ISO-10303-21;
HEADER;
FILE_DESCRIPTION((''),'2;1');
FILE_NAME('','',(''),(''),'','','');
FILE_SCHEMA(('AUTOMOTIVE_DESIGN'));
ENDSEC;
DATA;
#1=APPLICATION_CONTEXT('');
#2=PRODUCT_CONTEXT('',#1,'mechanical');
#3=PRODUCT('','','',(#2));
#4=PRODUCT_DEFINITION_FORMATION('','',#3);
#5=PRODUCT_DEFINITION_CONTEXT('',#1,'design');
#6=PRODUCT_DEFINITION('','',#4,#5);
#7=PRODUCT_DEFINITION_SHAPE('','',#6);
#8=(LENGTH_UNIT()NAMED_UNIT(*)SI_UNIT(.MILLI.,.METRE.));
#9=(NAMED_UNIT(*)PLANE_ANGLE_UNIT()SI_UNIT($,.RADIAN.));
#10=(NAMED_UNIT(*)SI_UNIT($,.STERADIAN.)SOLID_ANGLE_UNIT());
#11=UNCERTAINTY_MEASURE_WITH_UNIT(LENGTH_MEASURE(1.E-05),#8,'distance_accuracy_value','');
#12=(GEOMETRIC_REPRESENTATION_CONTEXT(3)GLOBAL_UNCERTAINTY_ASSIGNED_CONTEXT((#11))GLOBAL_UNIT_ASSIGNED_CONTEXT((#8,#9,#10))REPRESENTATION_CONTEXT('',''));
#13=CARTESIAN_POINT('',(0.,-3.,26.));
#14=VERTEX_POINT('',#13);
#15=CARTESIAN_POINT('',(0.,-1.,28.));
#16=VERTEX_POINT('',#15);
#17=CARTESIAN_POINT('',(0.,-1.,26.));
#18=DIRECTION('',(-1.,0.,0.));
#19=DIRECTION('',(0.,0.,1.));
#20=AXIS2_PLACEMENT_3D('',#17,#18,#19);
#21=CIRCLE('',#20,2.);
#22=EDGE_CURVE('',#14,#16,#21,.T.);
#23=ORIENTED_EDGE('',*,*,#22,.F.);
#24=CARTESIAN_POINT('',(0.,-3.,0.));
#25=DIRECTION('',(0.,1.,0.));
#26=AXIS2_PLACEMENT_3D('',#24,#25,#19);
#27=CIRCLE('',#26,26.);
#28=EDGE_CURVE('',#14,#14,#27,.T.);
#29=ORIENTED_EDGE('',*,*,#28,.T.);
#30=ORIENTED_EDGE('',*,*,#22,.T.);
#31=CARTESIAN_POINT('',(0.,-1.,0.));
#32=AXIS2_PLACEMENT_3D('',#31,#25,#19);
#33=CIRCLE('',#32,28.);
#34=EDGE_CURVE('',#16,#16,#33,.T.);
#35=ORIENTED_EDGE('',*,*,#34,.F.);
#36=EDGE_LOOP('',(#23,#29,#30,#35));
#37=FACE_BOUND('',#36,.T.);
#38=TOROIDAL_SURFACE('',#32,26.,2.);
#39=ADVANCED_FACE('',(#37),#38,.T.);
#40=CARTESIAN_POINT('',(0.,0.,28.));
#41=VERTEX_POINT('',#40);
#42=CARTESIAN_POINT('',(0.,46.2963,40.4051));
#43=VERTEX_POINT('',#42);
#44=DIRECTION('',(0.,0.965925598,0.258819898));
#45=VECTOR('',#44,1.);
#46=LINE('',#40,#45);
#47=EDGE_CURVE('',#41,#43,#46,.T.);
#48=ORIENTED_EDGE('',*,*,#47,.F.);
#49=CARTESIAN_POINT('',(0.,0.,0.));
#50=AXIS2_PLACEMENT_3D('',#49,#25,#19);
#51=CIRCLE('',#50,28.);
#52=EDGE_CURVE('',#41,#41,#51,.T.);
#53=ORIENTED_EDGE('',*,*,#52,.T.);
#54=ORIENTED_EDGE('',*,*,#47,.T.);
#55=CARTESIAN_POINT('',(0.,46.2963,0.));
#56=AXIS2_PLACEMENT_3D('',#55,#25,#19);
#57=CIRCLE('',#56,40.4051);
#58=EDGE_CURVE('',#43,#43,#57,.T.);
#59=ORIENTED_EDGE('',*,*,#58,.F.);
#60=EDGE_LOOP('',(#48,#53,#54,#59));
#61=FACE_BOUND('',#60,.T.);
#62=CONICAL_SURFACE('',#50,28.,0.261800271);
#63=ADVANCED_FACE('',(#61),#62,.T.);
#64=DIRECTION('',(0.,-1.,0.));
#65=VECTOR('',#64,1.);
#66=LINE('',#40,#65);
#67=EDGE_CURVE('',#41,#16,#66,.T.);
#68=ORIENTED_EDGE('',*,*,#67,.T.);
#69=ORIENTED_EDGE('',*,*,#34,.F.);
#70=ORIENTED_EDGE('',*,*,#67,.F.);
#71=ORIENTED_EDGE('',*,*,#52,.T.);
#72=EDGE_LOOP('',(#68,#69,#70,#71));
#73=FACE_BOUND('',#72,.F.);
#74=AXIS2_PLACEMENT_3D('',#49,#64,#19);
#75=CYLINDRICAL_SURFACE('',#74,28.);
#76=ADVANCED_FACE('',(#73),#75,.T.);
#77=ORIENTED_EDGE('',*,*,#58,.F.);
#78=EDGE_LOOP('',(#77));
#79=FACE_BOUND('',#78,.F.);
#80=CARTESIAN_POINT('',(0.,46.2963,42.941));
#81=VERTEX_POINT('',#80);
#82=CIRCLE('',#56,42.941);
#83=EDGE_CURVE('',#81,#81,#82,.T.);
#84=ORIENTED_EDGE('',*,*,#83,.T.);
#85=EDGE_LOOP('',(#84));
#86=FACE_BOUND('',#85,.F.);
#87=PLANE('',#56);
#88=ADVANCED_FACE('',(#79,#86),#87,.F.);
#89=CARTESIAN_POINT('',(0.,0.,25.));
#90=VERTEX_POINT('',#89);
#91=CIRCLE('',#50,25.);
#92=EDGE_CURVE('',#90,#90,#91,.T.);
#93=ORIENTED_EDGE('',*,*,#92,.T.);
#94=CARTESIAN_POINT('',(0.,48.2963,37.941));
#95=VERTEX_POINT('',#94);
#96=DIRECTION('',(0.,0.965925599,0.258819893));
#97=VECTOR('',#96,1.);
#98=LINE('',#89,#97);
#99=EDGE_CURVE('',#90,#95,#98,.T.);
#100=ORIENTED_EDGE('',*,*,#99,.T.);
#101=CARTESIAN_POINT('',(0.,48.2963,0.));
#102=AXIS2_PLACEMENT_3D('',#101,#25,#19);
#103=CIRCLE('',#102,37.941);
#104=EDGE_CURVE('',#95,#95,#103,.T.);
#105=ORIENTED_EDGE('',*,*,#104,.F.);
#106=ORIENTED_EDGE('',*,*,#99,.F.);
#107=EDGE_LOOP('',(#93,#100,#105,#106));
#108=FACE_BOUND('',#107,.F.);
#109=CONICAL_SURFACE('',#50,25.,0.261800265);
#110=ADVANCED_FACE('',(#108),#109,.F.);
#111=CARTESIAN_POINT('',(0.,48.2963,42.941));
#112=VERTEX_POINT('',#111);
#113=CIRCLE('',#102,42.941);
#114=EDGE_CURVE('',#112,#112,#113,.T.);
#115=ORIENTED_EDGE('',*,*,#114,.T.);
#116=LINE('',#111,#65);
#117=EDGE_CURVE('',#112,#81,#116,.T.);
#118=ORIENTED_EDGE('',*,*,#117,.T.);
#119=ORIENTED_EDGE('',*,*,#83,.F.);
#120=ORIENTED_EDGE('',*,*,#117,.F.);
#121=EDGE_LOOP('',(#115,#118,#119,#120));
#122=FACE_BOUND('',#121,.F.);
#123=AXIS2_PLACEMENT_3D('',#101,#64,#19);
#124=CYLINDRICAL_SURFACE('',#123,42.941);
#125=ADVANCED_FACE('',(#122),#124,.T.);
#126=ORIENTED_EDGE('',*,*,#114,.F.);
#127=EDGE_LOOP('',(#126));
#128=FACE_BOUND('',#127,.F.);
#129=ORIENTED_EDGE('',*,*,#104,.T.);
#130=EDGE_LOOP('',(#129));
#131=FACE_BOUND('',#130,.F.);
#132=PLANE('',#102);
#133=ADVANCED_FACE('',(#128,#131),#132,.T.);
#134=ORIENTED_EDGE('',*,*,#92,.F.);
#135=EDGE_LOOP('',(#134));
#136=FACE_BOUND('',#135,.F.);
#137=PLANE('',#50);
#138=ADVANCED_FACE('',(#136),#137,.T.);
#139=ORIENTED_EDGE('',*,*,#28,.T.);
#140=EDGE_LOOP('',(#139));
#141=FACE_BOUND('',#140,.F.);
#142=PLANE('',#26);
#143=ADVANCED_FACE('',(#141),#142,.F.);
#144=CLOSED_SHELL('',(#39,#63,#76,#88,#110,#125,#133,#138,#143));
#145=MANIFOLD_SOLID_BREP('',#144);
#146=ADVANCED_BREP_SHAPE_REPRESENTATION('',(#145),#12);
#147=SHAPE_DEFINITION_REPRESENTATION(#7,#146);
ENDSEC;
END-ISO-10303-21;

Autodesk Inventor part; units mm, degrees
ref_plane "YZ Plane" through (0, 0, 0) normal (1, 0, 0) x (0, 1, 0)
ref_plane "XZ Plane" through (0, 0, 0) normal (0, 1, 0) x (-1, 0, 0)
ref_plane "XY Plane" through (0, 0, 0) normal (0, 0, 1) x (1, 0, 0)
sketch "Sketch1" plane through (0, 0, 0) normal (1, 0, 0) x (0, 1, 0)
  line L0 (0, 0) -> (0, 25)
  line L1 (0, 25) -> (48.2963, 37.941)
  line L2 (48.2963, 37.941) -> (48.2963, 42.941)
  line L3 (48.2963, 42.941) -> (46.2963, 42.941)
  line L4 (0, 25) -> (0, 28)
  line L5 (0, 28) -> (46.2963, 40.4051)
  line L6 (0, 28) -> (-3, 28)
  line L7 (-3, 28) -> (-3, 0)
  line L8 (-3, 0) -> (0, 0)
  line L9 (0, 0) -> (0, 28)
  line L10 (46.2963, 42.941) -> (46.2963, 40.4051)
  line L11 (0, 28) -> (0, 25)
  line L12 (0, 25) -> (48.2963, 37.941)
  line L13 (48.2963, 37.941) -> (48.2963, 42.941)
  line L14 (48.2963, 42.941) -> (46.2963, 42.941)
  line L15 (46.2963, 42.941) -> (46.2963, 40.4051)
  line L16 (46.2963, 40.4051) -> (0, 28)
  line L17 (0, 28) -> (0, 25)
  dimension "d0" = 25
  dimension "d1" = 50
  dimension "d2" = 105
  dimension "d3" = 5
  dimension "d4" = 2
  dimension "d5" = 3
  dimension "d6" = 105
  dimension "d7" = 3
sketch "Sketch2" plane through (0, 0, 0) normal (1, 0, 0) x (0, 1, 0)
  line L0 (0, 0) -> (3.3899, 0)
revolve "Revolution1" add sketch "Sketch1" angle 360 about axis through (0, 0, 0) along (0, 1, 0)
fillet "Fillet1" radius 2 1 edges at (0, -3, -28)
properties part number "_3DPrint"
